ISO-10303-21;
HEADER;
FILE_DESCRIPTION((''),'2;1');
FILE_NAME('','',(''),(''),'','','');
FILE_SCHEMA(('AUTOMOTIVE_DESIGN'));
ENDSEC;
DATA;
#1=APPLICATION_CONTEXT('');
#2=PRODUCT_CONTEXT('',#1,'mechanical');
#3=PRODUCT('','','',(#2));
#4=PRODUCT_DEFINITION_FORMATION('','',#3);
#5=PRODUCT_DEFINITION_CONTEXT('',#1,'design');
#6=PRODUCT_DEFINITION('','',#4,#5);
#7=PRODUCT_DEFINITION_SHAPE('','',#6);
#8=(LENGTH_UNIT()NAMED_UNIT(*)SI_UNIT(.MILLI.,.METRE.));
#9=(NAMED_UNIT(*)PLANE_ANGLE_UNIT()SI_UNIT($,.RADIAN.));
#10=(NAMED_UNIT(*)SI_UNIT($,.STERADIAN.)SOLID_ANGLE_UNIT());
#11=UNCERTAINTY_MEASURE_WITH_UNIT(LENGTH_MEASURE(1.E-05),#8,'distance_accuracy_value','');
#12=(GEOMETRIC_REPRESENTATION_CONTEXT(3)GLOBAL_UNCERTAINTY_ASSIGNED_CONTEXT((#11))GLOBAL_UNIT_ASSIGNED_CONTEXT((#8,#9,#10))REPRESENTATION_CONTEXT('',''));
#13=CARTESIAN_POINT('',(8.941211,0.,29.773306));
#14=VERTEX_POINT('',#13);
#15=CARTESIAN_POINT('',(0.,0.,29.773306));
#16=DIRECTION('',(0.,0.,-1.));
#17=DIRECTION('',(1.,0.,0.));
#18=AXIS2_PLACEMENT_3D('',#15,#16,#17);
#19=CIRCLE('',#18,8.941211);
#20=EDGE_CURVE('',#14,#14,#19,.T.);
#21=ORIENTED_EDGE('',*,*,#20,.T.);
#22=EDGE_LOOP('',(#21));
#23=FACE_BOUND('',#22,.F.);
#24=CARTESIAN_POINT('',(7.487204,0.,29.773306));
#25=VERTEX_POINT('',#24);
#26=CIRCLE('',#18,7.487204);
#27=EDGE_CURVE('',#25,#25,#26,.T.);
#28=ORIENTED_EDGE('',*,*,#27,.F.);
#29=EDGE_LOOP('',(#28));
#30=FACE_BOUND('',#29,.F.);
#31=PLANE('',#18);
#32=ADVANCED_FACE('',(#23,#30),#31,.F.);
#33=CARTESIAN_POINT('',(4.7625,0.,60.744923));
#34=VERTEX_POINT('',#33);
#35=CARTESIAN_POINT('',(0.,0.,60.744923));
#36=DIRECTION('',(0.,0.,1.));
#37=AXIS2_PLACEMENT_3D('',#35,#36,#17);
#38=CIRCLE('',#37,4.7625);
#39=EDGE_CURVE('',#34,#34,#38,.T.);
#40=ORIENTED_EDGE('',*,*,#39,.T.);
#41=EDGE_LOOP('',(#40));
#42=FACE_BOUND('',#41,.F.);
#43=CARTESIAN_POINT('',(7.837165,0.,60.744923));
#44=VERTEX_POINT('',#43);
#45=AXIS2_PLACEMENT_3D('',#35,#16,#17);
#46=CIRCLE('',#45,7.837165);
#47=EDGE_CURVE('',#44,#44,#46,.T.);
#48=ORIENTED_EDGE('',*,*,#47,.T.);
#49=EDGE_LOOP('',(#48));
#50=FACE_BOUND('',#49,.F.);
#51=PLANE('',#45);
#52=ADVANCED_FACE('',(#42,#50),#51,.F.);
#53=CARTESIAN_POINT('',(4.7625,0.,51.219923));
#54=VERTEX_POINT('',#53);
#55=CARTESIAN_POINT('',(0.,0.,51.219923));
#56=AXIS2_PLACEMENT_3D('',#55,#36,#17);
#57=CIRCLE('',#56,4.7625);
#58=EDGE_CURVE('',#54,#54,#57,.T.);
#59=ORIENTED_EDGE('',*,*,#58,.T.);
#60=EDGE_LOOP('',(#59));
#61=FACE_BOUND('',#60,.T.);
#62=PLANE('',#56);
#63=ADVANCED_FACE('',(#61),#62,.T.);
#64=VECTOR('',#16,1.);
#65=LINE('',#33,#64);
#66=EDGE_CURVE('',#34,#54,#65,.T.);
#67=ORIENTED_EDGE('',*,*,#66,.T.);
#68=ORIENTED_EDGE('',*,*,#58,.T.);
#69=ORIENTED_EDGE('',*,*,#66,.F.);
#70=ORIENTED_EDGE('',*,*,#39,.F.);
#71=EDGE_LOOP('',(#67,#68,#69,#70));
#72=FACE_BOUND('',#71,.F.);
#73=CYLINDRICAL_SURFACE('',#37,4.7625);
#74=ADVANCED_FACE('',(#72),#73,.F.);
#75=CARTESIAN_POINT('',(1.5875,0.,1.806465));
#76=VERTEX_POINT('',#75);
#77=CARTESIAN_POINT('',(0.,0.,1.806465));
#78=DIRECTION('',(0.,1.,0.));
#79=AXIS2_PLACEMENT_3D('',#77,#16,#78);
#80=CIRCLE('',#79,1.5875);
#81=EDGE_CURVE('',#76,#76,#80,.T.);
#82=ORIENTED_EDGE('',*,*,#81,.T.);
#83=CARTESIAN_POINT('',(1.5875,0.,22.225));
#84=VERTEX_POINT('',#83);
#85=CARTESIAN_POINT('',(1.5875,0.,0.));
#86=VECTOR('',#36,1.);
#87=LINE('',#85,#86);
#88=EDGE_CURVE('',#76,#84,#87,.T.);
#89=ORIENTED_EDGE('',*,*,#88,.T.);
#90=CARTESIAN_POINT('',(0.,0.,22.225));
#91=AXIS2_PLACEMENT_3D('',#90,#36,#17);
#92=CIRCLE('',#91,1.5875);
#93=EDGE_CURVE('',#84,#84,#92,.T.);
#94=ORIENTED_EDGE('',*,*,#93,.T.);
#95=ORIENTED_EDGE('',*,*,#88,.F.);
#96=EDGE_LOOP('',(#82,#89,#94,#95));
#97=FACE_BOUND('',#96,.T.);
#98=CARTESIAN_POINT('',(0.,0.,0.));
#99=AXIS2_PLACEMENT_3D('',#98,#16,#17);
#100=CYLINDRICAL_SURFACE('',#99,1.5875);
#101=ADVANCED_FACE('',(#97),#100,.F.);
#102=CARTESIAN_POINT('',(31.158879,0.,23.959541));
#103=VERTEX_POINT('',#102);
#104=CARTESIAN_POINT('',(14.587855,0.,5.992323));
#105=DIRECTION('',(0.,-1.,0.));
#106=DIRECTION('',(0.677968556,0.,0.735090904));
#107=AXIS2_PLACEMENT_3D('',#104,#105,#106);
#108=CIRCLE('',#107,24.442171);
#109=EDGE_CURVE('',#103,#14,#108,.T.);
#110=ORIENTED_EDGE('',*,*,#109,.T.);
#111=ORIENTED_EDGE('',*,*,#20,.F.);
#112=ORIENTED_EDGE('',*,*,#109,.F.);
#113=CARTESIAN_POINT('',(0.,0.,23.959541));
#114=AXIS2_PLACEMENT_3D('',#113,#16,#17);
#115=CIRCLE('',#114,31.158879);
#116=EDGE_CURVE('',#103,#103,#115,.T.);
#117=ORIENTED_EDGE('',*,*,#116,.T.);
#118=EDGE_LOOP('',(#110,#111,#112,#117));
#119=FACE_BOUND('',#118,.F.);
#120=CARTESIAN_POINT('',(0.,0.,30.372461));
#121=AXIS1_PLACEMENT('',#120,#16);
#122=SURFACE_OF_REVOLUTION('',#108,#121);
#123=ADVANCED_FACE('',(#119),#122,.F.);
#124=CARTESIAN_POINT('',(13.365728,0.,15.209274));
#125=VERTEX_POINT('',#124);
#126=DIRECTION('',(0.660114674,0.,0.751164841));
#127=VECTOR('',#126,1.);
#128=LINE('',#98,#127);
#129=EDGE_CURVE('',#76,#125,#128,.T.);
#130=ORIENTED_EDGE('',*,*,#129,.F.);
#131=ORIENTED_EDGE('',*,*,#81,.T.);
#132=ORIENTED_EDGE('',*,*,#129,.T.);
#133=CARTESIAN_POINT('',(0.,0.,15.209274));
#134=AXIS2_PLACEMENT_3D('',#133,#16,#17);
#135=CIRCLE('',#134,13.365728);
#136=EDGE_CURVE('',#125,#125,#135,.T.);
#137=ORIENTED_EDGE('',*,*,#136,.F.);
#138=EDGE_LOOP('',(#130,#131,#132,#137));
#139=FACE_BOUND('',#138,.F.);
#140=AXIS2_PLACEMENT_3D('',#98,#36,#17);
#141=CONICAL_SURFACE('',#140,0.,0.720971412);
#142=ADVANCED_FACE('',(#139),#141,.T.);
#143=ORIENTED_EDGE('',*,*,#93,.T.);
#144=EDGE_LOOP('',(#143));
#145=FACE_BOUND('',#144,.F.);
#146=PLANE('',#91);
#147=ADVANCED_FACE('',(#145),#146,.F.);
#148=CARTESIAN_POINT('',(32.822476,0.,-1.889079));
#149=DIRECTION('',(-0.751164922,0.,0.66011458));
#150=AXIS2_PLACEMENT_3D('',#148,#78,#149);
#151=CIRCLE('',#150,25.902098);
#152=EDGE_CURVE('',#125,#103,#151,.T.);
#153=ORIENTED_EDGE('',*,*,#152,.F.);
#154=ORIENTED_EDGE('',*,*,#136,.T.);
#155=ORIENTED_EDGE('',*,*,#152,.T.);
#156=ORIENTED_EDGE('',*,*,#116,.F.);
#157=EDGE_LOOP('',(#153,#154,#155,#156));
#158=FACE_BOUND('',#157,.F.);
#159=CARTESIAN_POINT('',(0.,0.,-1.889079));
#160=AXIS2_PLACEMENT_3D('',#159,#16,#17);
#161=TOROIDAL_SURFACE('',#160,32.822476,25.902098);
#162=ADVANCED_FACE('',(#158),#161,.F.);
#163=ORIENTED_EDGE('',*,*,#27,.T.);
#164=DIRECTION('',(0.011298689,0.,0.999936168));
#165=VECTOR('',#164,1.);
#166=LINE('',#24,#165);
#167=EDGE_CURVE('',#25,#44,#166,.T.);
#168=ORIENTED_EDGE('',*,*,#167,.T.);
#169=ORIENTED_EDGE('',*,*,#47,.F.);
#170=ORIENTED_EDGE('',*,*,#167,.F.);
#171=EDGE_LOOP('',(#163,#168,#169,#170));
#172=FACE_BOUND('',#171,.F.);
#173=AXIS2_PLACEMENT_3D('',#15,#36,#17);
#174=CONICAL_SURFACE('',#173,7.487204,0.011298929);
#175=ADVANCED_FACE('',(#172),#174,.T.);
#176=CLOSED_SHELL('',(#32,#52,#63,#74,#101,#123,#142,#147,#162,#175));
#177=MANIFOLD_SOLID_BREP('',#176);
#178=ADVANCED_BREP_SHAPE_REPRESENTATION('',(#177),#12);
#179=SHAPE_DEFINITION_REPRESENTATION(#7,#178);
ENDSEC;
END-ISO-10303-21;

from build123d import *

# Parameters (mm, degrees)
F2_R     = 4.7625
F3_DEPTH = 9.525
F4_R     = 1.5875
F5_DEPTH = 22.225


with BuildPart() as f1:
    # F0 (on Front) → F1 (revolve)
    with BuildSketch(Plane.XZ):
        with BuildLine():
            Line((0, 60.744923), (0, 0))
            Line((0, 0), (13.365728, 15.209274))
            ThreePointArc((13.365728, 15.209274), (21.391858, 21.354408), (31.158879, 23.959541))
            ThreePointArc((31.158879, 23.959541), (20.775382, 29.638343), (8.941211, 29.773306))
            Line((8.941211, 29.773306), (7.487204, 29.773306))
            Line((7.487204, 29.773306), (7.837165, 60.744923))
            Line((7.837165, 60.744923), (0, 60.744923))
        make_face()
    revolve(axis=Axis((0, 0, 30.372461), (0, 0, -1)))

    # F2 (on face) → F3 (cut)
    with BuildSketch(Plane.XY.offset(60.744923)):
        Circle(F2_R)
    extrude(amount=-F3_DEPTH, mode=Mode.SUBTRACT)

    # F4 (on Top) → F5 (cut)
    with BuildSketch(Plane.XY):
        Circle(F4_R)
    extrude(amount=F5_DEPTH, mode=Mode.SUBTRACT)


solid = f1.part
